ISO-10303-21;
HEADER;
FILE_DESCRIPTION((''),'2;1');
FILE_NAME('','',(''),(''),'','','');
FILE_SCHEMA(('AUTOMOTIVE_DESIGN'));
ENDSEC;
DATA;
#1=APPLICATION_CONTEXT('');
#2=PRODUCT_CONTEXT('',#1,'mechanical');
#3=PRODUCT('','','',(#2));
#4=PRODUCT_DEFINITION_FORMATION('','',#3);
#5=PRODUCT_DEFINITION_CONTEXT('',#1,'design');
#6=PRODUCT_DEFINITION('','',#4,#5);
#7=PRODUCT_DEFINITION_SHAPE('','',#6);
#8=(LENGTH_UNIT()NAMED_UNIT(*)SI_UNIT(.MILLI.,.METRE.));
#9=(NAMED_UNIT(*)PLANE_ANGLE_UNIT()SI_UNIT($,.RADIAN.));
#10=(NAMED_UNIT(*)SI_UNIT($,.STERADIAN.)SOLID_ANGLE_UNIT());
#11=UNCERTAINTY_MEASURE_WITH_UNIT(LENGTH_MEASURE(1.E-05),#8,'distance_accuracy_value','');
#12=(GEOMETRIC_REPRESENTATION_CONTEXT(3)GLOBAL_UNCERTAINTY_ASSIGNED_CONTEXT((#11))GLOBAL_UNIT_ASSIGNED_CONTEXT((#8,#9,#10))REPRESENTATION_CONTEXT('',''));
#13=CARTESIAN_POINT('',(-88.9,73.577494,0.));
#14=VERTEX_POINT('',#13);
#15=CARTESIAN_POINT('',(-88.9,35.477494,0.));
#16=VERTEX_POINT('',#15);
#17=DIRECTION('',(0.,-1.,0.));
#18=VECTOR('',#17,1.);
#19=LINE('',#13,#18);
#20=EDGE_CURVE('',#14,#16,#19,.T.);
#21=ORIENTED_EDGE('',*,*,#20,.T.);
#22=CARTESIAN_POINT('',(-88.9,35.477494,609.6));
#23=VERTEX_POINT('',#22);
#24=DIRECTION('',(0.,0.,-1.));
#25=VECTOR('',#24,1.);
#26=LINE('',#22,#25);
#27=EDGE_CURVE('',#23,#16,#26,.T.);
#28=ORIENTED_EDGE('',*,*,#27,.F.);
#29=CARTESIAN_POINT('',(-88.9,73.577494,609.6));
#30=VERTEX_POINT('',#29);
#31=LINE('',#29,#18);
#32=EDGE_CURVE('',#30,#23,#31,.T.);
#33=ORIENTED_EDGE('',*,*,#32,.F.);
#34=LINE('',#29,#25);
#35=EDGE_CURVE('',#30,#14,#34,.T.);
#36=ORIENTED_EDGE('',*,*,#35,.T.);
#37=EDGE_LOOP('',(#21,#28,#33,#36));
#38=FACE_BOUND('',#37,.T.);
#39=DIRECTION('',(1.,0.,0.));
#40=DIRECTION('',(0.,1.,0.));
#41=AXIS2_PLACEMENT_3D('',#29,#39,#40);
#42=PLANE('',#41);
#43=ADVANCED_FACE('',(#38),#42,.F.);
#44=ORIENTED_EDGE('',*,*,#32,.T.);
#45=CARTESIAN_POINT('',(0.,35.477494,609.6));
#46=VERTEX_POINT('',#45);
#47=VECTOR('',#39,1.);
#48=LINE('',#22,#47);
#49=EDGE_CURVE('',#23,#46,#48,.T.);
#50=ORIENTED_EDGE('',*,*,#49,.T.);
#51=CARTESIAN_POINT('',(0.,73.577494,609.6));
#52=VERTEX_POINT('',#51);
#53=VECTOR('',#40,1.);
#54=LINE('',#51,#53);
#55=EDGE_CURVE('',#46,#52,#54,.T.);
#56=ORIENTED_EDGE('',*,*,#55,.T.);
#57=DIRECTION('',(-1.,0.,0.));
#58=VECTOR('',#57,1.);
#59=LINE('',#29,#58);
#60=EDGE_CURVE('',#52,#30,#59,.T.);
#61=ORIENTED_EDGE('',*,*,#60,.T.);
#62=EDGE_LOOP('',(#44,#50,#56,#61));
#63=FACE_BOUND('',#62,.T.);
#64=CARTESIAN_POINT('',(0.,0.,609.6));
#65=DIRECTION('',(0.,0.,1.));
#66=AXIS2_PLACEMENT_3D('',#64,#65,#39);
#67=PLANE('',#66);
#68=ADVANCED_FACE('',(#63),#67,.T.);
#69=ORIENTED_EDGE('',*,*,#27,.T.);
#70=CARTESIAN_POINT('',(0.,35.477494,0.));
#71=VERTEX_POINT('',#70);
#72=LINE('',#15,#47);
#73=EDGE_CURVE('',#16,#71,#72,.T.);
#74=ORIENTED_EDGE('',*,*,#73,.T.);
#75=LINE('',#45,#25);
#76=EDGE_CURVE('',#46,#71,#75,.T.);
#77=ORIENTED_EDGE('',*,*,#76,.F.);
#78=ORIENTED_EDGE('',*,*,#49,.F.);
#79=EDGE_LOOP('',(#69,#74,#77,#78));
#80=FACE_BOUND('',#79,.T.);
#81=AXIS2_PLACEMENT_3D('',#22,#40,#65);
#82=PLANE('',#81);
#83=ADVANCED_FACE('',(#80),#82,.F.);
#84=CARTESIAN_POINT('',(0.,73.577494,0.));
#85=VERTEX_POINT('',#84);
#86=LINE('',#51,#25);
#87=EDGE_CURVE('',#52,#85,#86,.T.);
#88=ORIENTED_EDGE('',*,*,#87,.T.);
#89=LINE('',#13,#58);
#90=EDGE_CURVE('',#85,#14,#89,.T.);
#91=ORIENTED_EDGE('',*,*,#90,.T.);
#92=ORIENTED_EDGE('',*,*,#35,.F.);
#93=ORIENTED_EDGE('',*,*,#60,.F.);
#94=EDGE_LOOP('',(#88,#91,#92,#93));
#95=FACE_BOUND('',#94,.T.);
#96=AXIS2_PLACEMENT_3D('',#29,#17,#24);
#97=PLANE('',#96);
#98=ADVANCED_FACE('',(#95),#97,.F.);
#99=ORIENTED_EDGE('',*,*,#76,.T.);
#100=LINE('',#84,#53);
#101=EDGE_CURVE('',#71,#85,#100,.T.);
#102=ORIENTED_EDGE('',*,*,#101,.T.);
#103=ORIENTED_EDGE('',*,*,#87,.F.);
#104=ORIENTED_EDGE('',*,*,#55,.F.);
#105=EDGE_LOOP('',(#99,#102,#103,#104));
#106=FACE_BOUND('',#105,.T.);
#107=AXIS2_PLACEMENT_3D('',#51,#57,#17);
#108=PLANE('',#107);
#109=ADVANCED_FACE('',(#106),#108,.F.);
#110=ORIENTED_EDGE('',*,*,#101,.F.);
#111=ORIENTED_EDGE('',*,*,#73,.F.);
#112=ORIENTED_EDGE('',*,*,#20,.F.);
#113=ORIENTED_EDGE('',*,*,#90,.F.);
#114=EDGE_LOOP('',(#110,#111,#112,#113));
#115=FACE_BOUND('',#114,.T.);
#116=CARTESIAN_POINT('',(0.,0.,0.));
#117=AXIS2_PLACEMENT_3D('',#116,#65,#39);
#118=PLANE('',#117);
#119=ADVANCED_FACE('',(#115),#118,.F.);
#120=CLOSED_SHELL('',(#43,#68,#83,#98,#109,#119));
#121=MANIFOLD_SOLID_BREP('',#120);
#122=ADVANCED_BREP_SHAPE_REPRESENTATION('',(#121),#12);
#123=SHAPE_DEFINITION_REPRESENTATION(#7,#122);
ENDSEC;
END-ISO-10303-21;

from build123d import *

# Parameters (mm, degrees)
SKETCH2_W           = 88.9
SKETCH2_H           = 38.1
BOSS_EXTRUDE1_DEPTH = 609.6


with BuildPart() as part:
    # Sketch2 → Boss-Extrude1 (new body)
    with BuildSketch(Plane.XY):
        with Locations((-44.45, 54.5274942)):
            Rectangle(SKETCH2_W, SKETCH2_H)
    extrude(amount=BOSS_EXTRUDE1_DEPTH)


solid = part.part
